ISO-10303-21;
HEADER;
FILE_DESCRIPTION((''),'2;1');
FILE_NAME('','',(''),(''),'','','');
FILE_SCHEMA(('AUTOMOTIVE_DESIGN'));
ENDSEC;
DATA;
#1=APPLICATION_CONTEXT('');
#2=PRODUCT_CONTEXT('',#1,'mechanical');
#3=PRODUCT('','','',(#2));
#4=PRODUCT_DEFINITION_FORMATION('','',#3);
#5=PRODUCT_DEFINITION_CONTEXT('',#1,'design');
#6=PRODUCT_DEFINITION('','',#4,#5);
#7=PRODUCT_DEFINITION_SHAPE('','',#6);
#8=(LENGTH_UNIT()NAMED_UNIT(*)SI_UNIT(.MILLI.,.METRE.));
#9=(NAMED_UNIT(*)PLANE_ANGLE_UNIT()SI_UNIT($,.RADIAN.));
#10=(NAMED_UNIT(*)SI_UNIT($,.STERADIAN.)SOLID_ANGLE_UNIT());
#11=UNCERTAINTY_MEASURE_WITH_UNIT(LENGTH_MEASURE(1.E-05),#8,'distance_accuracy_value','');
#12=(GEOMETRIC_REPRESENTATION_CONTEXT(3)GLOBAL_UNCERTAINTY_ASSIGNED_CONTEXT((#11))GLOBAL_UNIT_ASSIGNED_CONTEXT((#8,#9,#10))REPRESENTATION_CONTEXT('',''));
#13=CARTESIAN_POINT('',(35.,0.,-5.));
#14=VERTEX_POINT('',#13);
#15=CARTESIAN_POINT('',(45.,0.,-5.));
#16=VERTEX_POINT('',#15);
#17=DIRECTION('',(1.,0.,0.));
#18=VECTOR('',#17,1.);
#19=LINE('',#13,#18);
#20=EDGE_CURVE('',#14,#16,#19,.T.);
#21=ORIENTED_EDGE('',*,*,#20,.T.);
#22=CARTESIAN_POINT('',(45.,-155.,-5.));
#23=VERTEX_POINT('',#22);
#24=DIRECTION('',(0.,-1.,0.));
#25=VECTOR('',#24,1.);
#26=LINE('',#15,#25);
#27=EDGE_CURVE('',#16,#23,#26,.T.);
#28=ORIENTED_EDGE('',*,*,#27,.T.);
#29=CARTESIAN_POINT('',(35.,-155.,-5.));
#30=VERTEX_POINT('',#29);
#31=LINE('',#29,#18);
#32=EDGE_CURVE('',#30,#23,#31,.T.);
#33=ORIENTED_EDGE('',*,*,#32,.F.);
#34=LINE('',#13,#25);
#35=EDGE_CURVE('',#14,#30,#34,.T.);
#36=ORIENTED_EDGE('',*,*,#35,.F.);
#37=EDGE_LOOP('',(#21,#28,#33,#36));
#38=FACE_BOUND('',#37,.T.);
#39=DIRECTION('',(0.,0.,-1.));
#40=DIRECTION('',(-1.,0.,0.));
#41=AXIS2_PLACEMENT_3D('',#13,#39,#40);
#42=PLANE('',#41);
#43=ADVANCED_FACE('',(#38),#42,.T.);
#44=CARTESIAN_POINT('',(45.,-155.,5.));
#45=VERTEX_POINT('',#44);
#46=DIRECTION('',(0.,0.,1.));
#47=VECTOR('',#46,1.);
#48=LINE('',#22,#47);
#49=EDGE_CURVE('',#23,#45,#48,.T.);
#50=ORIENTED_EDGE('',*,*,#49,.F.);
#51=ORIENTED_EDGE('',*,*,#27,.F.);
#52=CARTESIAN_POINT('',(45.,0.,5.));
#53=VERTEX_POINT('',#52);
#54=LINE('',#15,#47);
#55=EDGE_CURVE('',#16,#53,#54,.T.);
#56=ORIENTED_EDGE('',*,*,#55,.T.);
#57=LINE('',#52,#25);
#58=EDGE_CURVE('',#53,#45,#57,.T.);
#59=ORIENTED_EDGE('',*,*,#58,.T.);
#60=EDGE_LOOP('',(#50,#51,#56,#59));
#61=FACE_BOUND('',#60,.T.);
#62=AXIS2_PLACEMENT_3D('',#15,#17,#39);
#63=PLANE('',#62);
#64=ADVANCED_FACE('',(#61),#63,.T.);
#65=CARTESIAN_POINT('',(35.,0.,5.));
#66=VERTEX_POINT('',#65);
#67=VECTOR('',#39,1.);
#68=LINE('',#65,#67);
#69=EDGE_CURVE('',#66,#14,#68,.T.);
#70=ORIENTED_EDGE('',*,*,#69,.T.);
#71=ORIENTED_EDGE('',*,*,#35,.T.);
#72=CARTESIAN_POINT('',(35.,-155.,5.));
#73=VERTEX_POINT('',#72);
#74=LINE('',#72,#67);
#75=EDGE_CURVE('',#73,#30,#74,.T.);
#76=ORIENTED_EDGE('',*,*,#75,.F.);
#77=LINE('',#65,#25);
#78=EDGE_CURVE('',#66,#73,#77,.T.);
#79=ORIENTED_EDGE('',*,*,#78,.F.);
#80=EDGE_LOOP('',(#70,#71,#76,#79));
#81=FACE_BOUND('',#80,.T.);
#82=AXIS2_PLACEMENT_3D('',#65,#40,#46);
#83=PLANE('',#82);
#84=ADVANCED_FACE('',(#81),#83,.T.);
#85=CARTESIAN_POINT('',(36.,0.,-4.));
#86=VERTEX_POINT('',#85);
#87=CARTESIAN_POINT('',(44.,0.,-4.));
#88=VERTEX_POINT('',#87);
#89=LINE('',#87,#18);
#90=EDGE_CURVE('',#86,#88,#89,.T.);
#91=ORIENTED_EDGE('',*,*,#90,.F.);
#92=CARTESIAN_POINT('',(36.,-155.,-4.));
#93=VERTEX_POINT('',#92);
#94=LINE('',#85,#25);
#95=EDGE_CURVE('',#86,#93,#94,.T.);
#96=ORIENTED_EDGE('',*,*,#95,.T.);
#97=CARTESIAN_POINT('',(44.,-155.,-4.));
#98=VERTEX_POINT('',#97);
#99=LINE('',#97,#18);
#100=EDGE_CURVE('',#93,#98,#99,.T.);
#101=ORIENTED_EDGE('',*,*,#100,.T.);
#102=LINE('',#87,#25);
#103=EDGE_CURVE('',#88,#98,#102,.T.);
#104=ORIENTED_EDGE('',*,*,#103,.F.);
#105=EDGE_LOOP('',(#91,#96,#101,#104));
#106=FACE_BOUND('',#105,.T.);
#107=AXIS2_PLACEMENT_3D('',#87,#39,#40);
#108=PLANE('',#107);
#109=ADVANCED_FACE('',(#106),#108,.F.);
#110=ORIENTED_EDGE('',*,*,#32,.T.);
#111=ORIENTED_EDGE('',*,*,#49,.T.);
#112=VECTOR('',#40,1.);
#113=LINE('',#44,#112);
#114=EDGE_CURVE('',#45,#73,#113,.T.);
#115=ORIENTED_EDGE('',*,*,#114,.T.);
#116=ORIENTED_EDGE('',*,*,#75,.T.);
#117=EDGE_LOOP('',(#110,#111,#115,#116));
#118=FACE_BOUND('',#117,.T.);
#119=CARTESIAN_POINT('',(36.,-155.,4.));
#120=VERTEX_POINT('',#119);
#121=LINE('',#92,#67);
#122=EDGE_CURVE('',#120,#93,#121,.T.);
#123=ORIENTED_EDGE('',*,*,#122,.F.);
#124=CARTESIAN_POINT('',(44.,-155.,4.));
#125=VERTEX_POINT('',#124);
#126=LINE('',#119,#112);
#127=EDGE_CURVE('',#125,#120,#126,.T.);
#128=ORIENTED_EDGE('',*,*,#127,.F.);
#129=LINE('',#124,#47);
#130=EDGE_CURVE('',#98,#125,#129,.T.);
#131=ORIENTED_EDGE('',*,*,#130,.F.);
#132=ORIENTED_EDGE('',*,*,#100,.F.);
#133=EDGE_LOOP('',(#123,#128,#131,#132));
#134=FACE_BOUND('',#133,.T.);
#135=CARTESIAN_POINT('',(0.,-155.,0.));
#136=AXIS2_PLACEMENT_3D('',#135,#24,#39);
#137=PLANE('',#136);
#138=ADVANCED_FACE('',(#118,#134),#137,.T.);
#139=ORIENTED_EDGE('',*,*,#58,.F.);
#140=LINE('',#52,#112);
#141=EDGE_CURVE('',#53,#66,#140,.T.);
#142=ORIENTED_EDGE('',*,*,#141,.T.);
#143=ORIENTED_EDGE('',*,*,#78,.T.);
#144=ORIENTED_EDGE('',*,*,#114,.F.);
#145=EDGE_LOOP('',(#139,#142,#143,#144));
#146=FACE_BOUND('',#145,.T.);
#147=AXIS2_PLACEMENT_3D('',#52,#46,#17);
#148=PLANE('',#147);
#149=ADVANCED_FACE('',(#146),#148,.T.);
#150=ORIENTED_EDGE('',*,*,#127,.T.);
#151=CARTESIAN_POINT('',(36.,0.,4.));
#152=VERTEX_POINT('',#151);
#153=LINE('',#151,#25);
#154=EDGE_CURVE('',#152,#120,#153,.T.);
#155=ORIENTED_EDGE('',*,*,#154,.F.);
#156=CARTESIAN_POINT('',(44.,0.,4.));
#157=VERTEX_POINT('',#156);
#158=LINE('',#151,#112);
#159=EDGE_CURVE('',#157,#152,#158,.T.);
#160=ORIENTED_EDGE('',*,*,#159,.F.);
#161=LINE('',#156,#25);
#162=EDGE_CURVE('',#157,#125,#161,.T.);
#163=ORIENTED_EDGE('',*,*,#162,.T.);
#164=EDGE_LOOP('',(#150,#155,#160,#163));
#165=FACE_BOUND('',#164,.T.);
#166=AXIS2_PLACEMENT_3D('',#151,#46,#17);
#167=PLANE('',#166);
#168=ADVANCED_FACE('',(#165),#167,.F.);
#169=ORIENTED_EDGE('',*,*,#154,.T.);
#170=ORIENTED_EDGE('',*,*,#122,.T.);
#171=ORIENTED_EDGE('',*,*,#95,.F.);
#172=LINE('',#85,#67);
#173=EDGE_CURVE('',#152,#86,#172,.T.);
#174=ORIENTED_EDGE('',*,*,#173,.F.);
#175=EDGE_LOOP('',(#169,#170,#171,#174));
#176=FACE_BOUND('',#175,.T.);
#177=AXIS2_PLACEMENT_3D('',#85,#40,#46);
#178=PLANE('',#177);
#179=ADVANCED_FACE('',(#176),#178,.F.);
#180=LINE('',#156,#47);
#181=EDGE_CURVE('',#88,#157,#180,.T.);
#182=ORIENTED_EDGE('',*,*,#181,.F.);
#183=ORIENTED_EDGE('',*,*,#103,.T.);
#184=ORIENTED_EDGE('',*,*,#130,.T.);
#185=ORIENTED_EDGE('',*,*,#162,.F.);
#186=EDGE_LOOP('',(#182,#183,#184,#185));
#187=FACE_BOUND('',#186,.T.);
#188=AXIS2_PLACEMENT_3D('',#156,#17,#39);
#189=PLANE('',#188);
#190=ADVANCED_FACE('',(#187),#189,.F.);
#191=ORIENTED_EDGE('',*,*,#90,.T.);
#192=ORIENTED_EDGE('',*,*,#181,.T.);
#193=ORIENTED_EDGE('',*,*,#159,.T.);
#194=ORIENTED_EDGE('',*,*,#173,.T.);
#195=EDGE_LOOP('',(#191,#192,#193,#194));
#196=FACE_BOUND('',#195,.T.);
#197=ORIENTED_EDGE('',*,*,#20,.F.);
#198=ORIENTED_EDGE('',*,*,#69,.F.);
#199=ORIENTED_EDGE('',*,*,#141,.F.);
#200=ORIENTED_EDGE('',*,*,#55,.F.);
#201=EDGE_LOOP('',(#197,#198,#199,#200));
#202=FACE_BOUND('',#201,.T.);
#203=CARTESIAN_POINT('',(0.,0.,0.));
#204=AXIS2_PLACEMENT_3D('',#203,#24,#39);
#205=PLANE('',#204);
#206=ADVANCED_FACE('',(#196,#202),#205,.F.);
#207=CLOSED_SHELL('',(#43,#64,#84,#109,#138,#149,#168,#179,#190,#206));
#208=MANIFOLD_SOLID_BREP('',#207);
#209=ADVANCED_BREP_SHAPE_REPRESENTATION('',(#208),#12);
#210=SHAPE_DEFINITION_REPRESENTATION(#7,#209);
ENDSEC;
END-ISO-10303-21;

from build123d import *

# Parameters (mm, degrees)
SKETCH_1_W      = 10
SKETCH_1_H      = 10
SKETCH_1_W_2    = 8
SKETCH_1_H_2    = 8
EXTRUDE_1_DEPTH = 155


with BuildPart() as part:
    # 草图1 → 凸台-拉伸1 (new body)
    with BuildSketch(Plane.XZ.offset(155)):
        with Locations((40, 0)):
            Rectangle(SKETCH_1_W, SKETCH_1_H)
        with Locations((40, 0)):
            Rectangle(SKETCH_1_W_2, SKETCH_1_H_2, mode=Mode.SUBTRACT)
    extrude(amount=-EXTRUDE_1_DEPTH)


solid = part.part
